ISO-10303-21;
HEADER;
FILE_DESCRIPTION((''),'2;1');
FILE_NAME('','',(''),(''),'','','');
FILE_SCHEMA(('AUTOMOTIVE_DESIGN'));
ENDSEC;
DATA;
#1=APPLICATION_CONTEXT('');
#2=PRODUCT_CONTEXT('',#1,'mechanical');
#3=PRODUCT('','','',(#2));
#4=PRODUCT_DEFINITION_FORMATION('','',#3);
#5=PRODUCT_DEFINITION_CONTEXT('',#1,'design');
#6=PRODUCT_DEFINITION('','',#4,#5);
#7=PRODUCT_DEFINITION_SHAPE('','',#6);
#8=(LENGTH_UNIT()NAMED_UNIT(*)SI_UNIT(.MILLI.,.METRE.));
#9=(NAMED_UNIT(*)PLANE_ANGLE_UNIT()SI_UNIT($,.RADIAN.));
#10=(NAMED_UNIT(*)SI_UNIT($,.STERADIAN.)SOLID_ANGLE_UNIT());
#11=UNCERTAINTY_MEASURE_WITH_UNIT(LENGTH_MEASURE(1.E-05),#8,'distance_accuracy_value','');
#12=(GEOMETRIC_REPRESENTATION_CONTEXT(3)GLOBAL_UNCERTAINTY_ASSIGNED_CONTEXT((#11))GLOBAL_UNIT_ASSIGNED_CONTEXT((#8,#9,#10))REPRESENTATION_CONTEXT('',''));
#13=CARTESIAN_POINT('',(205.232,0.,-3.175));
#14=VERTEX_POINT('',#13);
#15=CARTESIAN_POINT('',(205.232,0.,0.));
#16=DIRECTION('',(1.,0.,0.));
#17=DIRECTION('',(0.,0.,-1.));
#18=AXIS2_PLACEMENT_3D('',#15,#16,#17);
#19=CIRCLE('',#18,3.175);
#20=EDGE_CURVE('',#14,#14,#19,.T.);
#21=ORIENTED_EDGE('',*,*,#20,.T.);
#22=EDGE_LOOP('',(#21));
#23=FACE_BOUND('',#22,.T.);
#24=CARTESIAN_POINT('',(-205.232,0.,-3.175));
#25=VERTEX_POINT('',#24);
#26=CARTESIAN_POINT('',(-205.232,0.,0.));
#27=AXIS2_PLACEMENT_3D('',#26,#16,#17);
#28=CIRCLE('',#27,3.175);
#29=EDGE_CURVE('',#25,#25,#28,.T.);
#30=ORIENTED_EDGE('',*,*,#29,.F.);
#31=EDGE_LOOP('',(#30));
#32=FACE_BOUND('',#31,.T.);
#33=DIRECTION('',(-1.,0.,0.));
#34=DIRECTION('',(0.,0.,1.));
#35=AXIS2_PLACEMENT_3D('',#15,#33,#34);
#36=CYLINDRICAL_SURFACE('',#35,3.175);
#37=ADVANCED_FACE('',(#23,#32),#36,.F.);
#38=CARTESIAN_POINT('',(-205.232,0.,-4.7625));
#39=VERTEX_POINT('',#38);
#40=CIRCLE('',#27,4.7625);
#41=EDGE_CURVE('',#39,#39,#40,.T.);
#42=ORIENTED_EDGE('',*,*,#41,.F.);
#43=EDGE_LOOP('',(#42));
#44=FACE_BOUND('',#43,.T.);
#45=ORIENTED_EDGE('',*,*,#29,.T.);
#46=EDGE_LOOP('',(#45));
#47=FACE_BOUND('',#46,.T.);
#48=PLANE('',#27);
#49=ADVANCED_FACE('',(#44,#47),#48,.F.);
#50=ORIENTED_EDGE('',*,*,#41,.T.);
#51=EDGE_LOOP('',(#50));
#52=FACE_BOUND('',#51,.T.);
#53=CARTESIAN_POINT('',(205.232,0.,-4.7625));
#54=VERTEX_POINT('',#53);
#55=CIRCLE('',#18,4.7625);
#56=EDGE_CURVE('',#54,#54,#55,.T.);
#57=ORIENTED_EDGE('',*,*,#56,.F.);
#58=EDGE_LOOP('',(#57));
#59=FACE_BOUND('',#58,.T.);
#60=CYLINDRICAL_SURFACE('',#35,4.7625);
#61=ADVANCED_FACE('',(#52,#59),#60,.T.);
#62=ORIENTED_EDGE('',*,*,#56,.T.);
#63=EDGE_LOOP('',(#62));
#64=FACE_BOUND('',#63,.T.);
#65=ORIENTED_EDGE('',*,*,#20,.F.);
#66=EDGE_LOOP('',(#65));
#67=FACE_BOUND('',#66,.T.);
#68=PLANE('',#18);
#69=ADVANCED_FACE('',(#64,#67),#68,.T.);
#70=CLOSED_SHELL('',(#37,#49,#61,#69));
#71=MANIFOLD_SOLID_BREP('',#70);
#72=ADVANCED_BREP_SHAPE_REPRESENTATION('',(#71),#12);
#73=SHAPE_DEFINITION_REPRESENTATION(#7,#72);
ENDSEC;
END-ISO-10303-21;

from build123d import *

# Parameters (mm, degrees)
SKETCH1_R      = 4.7625
SKETCH1_R_2    = 3.175
EXTRUDE1_DEPTH = 205.232


with BuildPart() as part:
    # Sketch1 → Extrude1 (new body, symmetric)
    with BuildSketch(Plane(origin=(0, 0, 0), x_dir=(0, 0, -1), z_dir=(1, 0, 0))):
        Circle(SKETCH1_R)
        Circle(SKETCH1_R_2, mode=Mode.SUBTRACT)
    extrude(amount=EXTRUDE1_DEPTH, both=True)


solid = part.part
